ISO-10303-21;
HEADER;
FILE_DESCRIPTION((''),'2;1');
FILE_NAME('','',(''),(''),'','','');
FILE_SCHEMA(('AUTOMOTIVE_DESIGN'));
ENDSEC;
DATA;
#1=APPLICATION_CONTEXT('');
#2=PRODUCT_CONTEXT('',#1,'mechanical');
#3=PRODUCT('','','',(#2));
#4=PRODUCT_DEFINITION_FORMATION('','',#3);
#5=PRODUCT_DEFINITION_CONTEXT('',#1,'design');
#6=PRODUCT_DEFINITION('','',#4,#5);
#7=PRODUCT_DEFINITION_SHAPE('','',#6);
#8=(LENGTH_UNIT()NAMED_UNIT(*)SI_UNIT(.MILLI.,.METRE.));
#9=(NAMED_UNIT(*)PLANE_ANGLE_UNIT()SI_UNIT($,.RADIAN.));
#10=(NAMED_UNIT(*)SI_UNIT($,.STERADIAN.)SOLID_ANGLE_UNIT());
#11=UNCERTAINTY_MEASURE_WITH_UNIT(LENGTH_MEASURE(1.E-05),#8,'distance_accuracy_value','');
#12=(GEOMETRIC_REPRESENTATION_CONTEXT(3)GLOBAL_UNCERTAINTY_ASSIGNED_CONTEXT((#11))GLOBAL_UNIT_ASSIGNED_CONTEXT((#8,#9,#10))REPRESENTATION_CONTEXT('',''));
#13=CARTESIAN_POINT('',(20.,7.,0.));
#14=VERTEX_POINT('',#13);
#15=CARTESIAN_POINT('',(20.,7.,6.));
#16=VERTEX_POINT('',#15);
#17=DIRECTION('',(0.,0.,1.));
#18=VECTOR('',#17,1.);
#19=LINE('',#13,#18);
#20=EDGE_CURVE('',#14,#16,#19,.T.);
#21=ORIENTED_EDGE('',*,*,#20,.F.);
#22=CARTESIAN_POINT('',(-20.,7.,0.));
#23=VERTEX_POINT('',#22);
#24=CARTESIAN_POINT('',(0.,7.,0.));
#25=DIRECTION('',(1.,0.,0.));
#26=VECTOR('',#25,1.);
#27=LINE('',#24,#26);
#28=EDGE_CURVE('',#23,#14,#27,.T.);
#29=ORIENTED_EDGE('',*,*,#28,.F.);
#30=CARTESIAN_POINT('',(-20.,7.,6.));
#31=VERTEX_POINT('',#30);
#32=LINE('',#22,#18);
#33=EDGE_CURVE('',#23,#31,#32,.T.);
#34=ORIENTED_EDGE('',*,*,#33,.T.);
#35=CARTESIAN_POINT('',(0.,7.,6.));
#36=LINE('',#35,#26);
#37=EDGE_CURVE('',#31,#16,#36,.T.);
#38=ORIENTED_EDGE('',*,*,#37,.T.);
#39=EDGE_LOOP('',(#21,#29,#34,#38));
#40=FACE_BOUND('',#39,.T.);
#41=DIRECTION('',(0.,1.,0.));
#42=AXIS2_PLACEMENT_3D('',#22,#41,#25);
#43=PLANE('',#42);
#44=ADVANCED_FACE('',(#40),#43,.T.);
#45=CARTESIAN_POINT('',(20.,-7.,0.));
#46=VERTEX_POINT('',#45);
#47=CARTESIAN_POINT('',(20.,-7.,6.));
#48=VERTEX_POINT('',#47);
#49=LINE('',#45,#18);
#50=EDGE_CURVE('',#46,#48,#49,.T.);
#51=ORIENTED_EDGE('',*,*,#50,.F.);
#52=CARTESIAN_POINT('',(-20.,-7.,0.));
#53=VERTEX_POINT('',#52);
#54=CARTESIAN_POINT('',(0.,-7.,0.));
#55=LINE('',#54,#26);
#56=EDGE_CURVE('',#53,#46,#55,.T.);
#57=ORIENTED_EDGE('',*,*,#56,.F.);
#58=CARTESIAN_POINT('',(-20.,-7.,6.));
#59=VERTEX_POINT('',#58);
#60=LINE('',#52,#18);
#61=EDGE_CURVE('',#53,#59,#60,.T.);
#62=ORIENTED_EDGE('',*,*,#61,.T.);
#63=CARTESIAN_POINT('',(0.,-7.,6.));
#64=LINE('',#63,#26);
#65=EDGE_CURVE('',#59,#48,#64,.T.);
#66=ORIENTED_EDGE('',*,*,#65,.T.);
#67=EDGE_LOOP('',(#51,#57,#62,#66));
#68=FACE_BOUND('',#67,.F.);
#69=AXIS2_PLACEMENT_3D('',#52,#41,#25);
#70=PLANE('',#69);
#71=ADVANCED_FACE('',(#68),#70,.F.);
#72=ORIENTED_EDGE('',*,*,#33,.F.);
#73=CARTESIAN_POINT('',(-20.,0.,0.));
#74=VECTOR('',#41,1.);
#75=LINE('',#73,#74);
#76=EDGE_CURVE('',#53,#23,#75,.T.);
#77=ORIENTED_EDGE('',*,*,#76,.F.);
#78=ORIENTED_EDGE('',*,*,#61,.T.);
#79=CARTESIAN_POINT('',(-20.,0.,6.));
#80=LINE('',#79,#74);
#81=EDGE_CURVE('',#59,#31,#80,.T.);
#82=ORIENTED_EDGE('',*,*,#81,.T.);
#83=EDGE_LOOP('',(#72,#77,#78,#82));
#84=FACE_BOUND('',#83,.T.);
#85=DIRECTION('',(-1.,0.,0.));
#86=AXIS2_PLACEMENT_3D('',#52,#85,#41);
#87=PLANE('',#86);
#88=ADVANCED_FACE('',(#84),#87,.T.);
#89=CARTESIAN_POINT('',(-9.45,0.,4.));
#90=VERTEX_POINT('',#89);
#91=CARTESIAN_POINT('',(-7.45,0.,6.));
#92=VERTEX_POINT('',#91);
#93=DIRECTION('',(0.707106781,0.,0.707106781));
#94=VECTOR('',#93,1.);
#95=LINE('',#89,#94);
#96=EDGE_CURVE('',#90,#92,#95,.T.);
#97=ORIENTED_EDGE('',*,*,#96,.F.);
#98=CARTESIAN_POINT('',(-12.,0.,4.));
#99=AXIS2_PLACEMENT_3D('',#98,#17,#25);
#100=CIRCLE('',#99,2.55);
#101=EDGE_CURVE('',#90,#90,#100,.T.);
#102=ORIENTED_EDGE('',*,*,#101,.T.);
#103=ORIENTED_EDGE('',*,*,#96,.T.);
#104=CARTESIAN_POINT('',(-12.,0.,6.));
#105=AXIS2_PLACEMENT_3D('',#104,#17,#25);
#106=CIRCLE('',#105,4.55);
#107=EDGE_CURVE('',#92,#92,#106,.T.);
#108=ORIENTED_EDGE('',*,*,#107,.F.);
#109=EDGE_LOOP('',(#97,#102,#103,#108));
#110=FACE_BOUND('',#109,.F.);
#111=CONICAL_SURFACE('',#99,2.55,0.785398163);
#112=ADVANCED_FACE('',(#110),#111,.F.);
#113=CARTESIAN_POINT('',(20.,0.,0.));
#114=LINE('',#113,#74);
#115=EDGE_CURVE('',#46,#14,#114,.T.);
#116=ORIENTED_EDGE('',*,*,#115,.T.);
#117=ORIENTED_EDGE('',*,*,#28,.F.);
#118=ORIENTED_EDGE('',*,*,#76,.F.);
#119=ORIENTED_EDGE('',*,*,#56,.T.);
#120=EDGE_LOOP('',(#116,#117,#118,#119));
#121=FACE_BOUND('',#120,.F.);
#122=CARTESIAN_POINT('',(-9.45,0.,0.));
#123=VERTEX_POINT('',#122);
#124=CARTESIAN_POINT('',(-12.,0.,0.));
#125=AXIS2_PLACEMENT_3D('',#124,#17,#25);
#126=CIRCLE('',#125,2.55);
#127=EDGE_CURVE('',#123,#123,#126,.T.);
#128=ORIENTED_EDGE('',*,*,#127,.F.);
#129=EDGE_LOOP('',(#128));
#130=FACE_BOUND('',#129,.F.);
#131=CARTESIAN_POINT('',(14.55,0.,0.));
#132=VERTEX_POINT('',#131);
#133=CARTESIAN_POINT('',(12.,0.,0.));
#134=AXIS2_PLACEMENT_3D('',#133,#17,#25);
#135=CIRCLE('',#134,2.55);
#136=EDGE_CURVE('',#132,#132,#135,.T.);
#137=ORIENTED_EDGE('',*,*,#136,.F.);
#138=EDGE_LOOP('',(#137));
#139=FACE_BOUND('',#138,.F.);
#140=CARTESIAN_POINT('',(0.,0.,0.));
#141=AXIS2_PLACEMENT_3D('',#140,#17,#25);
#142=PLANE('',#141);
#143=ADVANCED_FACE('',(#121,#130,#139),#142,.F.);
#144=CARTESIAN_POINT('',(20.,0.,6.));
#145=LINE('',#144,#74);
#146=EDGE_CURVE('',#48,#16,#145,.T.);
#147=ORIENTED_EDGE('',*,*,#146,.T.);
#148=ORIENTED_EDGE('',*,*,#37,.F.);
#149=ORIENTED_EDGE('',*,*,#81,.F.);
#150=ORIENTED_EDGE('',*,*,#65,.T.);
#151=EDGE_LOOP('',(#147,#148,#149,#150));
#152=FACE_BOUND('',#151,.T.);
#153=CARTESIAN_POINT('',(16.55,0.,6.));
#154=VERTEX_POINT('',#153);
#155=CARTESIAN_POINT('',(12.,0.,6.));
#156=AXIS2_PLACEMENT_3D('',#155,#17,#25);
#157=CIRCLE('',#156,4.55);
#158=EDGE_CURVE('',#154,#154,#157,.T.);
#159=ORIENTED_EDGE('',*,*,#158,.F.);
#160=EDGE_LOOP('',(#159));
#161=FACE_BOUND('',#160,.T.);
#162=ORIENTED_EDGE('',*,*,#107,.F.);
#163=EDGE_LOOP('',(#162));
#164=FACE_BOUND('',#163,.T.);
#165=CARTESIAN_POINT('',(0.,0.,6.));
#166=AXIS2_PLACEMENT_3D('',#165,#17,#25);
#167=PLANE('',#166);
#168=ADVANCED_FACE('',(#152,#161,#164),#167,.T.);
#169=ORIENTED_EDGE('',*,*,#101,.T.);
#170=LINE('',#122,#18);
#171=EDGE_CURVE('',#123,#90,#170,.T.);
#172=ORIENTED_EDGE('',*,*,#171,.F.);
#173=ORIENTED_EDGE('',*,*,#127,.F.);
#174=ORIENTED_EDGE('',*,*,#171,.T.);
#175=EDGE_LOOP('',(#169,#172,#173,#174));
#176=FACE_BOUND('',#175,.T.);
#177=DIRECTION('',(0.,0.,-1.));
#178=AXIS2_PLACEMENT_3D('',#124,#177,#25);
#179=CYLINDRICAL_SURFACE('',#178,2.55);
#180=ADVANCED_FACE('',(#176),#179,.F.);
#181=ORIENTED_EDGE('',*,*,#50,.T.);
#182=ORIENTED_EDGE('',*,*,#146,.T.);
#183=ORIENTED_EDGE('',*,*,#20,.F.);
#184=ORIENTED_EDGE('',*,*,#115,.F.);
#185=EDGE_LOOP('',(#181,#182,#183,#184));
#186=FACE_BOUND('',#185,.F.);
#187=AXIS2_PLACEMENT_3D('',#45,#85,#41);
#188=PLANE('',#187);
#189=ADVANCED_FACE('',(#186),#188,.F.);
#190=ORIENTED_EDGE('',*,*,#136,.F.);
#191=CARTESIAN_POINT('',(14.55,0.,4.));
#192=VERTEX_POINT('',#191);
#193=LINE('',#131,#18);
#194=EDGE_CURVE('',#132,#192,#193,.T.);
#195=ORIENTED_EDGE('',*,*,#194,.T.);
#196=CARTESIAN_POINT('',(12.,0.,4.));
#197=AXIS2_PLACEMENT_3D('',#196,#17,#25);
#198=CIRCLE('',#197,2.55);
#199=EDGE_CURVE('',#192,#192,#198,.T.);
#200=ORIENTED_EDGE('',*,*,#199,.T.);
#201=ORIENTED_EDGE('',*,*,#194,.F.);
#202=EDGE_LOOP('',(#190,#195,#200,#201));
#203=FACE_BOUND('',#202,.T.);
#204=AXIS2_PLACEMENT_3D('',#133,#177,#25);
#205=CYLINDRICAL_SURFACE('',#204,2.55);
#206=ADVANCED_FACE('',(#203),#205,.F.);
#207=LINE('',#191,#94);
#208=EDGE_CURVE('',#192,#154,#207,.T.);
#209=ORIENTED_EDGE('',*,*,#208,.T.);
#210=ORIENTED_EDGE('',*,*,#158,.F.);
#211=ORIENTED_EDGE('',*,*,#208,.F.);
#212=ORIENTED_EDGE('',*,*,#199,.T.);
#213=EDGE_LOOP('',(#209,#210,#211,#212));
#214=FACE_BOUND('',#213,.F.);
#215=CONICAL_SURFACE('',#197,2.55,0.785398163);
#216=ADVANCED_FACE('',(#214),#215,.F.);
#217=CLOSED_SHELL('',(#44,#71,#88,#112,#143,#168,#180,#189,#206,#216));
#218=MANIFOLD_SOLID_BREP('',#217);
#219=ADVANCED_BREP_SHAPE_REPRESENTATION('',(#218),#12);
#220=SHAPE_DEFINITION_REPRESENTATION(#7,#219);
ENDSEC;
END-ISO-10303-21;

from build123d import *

# Parameters (mm, degrees)
SKETCH_W     = 40
SKETCH_H     = 14
SKETCH_R     = 2.55
PAD_DEPTH    = 6
CHAMFER_SIZE = 2


with BuildPart() as part:
    # Sketch → Pad (new body)
    with BuildSketch(Plane.XY):
        Rectangle(SKETCH_W, SKETCH_H)
        with Locations((-12, 0)):
            Circle(SKETCH_R, mode=Mode.SUBTRACT)
        with Locations((12, 0)):
            Circle(SKETCH_R, mode=Mode.SUBTRACT)
    extrude(amount=PAD_DEPTH)

    # Chamfer
    chamfer_edges = [part.edges().sort_by_distance(p)[0] for p in [
        (-14.55, 0, 6),
        (9.45, 0, 6),
    ]]
    chamfer(chamfer_edges, length=CHAMFER_SIZE)


solid = part.part
